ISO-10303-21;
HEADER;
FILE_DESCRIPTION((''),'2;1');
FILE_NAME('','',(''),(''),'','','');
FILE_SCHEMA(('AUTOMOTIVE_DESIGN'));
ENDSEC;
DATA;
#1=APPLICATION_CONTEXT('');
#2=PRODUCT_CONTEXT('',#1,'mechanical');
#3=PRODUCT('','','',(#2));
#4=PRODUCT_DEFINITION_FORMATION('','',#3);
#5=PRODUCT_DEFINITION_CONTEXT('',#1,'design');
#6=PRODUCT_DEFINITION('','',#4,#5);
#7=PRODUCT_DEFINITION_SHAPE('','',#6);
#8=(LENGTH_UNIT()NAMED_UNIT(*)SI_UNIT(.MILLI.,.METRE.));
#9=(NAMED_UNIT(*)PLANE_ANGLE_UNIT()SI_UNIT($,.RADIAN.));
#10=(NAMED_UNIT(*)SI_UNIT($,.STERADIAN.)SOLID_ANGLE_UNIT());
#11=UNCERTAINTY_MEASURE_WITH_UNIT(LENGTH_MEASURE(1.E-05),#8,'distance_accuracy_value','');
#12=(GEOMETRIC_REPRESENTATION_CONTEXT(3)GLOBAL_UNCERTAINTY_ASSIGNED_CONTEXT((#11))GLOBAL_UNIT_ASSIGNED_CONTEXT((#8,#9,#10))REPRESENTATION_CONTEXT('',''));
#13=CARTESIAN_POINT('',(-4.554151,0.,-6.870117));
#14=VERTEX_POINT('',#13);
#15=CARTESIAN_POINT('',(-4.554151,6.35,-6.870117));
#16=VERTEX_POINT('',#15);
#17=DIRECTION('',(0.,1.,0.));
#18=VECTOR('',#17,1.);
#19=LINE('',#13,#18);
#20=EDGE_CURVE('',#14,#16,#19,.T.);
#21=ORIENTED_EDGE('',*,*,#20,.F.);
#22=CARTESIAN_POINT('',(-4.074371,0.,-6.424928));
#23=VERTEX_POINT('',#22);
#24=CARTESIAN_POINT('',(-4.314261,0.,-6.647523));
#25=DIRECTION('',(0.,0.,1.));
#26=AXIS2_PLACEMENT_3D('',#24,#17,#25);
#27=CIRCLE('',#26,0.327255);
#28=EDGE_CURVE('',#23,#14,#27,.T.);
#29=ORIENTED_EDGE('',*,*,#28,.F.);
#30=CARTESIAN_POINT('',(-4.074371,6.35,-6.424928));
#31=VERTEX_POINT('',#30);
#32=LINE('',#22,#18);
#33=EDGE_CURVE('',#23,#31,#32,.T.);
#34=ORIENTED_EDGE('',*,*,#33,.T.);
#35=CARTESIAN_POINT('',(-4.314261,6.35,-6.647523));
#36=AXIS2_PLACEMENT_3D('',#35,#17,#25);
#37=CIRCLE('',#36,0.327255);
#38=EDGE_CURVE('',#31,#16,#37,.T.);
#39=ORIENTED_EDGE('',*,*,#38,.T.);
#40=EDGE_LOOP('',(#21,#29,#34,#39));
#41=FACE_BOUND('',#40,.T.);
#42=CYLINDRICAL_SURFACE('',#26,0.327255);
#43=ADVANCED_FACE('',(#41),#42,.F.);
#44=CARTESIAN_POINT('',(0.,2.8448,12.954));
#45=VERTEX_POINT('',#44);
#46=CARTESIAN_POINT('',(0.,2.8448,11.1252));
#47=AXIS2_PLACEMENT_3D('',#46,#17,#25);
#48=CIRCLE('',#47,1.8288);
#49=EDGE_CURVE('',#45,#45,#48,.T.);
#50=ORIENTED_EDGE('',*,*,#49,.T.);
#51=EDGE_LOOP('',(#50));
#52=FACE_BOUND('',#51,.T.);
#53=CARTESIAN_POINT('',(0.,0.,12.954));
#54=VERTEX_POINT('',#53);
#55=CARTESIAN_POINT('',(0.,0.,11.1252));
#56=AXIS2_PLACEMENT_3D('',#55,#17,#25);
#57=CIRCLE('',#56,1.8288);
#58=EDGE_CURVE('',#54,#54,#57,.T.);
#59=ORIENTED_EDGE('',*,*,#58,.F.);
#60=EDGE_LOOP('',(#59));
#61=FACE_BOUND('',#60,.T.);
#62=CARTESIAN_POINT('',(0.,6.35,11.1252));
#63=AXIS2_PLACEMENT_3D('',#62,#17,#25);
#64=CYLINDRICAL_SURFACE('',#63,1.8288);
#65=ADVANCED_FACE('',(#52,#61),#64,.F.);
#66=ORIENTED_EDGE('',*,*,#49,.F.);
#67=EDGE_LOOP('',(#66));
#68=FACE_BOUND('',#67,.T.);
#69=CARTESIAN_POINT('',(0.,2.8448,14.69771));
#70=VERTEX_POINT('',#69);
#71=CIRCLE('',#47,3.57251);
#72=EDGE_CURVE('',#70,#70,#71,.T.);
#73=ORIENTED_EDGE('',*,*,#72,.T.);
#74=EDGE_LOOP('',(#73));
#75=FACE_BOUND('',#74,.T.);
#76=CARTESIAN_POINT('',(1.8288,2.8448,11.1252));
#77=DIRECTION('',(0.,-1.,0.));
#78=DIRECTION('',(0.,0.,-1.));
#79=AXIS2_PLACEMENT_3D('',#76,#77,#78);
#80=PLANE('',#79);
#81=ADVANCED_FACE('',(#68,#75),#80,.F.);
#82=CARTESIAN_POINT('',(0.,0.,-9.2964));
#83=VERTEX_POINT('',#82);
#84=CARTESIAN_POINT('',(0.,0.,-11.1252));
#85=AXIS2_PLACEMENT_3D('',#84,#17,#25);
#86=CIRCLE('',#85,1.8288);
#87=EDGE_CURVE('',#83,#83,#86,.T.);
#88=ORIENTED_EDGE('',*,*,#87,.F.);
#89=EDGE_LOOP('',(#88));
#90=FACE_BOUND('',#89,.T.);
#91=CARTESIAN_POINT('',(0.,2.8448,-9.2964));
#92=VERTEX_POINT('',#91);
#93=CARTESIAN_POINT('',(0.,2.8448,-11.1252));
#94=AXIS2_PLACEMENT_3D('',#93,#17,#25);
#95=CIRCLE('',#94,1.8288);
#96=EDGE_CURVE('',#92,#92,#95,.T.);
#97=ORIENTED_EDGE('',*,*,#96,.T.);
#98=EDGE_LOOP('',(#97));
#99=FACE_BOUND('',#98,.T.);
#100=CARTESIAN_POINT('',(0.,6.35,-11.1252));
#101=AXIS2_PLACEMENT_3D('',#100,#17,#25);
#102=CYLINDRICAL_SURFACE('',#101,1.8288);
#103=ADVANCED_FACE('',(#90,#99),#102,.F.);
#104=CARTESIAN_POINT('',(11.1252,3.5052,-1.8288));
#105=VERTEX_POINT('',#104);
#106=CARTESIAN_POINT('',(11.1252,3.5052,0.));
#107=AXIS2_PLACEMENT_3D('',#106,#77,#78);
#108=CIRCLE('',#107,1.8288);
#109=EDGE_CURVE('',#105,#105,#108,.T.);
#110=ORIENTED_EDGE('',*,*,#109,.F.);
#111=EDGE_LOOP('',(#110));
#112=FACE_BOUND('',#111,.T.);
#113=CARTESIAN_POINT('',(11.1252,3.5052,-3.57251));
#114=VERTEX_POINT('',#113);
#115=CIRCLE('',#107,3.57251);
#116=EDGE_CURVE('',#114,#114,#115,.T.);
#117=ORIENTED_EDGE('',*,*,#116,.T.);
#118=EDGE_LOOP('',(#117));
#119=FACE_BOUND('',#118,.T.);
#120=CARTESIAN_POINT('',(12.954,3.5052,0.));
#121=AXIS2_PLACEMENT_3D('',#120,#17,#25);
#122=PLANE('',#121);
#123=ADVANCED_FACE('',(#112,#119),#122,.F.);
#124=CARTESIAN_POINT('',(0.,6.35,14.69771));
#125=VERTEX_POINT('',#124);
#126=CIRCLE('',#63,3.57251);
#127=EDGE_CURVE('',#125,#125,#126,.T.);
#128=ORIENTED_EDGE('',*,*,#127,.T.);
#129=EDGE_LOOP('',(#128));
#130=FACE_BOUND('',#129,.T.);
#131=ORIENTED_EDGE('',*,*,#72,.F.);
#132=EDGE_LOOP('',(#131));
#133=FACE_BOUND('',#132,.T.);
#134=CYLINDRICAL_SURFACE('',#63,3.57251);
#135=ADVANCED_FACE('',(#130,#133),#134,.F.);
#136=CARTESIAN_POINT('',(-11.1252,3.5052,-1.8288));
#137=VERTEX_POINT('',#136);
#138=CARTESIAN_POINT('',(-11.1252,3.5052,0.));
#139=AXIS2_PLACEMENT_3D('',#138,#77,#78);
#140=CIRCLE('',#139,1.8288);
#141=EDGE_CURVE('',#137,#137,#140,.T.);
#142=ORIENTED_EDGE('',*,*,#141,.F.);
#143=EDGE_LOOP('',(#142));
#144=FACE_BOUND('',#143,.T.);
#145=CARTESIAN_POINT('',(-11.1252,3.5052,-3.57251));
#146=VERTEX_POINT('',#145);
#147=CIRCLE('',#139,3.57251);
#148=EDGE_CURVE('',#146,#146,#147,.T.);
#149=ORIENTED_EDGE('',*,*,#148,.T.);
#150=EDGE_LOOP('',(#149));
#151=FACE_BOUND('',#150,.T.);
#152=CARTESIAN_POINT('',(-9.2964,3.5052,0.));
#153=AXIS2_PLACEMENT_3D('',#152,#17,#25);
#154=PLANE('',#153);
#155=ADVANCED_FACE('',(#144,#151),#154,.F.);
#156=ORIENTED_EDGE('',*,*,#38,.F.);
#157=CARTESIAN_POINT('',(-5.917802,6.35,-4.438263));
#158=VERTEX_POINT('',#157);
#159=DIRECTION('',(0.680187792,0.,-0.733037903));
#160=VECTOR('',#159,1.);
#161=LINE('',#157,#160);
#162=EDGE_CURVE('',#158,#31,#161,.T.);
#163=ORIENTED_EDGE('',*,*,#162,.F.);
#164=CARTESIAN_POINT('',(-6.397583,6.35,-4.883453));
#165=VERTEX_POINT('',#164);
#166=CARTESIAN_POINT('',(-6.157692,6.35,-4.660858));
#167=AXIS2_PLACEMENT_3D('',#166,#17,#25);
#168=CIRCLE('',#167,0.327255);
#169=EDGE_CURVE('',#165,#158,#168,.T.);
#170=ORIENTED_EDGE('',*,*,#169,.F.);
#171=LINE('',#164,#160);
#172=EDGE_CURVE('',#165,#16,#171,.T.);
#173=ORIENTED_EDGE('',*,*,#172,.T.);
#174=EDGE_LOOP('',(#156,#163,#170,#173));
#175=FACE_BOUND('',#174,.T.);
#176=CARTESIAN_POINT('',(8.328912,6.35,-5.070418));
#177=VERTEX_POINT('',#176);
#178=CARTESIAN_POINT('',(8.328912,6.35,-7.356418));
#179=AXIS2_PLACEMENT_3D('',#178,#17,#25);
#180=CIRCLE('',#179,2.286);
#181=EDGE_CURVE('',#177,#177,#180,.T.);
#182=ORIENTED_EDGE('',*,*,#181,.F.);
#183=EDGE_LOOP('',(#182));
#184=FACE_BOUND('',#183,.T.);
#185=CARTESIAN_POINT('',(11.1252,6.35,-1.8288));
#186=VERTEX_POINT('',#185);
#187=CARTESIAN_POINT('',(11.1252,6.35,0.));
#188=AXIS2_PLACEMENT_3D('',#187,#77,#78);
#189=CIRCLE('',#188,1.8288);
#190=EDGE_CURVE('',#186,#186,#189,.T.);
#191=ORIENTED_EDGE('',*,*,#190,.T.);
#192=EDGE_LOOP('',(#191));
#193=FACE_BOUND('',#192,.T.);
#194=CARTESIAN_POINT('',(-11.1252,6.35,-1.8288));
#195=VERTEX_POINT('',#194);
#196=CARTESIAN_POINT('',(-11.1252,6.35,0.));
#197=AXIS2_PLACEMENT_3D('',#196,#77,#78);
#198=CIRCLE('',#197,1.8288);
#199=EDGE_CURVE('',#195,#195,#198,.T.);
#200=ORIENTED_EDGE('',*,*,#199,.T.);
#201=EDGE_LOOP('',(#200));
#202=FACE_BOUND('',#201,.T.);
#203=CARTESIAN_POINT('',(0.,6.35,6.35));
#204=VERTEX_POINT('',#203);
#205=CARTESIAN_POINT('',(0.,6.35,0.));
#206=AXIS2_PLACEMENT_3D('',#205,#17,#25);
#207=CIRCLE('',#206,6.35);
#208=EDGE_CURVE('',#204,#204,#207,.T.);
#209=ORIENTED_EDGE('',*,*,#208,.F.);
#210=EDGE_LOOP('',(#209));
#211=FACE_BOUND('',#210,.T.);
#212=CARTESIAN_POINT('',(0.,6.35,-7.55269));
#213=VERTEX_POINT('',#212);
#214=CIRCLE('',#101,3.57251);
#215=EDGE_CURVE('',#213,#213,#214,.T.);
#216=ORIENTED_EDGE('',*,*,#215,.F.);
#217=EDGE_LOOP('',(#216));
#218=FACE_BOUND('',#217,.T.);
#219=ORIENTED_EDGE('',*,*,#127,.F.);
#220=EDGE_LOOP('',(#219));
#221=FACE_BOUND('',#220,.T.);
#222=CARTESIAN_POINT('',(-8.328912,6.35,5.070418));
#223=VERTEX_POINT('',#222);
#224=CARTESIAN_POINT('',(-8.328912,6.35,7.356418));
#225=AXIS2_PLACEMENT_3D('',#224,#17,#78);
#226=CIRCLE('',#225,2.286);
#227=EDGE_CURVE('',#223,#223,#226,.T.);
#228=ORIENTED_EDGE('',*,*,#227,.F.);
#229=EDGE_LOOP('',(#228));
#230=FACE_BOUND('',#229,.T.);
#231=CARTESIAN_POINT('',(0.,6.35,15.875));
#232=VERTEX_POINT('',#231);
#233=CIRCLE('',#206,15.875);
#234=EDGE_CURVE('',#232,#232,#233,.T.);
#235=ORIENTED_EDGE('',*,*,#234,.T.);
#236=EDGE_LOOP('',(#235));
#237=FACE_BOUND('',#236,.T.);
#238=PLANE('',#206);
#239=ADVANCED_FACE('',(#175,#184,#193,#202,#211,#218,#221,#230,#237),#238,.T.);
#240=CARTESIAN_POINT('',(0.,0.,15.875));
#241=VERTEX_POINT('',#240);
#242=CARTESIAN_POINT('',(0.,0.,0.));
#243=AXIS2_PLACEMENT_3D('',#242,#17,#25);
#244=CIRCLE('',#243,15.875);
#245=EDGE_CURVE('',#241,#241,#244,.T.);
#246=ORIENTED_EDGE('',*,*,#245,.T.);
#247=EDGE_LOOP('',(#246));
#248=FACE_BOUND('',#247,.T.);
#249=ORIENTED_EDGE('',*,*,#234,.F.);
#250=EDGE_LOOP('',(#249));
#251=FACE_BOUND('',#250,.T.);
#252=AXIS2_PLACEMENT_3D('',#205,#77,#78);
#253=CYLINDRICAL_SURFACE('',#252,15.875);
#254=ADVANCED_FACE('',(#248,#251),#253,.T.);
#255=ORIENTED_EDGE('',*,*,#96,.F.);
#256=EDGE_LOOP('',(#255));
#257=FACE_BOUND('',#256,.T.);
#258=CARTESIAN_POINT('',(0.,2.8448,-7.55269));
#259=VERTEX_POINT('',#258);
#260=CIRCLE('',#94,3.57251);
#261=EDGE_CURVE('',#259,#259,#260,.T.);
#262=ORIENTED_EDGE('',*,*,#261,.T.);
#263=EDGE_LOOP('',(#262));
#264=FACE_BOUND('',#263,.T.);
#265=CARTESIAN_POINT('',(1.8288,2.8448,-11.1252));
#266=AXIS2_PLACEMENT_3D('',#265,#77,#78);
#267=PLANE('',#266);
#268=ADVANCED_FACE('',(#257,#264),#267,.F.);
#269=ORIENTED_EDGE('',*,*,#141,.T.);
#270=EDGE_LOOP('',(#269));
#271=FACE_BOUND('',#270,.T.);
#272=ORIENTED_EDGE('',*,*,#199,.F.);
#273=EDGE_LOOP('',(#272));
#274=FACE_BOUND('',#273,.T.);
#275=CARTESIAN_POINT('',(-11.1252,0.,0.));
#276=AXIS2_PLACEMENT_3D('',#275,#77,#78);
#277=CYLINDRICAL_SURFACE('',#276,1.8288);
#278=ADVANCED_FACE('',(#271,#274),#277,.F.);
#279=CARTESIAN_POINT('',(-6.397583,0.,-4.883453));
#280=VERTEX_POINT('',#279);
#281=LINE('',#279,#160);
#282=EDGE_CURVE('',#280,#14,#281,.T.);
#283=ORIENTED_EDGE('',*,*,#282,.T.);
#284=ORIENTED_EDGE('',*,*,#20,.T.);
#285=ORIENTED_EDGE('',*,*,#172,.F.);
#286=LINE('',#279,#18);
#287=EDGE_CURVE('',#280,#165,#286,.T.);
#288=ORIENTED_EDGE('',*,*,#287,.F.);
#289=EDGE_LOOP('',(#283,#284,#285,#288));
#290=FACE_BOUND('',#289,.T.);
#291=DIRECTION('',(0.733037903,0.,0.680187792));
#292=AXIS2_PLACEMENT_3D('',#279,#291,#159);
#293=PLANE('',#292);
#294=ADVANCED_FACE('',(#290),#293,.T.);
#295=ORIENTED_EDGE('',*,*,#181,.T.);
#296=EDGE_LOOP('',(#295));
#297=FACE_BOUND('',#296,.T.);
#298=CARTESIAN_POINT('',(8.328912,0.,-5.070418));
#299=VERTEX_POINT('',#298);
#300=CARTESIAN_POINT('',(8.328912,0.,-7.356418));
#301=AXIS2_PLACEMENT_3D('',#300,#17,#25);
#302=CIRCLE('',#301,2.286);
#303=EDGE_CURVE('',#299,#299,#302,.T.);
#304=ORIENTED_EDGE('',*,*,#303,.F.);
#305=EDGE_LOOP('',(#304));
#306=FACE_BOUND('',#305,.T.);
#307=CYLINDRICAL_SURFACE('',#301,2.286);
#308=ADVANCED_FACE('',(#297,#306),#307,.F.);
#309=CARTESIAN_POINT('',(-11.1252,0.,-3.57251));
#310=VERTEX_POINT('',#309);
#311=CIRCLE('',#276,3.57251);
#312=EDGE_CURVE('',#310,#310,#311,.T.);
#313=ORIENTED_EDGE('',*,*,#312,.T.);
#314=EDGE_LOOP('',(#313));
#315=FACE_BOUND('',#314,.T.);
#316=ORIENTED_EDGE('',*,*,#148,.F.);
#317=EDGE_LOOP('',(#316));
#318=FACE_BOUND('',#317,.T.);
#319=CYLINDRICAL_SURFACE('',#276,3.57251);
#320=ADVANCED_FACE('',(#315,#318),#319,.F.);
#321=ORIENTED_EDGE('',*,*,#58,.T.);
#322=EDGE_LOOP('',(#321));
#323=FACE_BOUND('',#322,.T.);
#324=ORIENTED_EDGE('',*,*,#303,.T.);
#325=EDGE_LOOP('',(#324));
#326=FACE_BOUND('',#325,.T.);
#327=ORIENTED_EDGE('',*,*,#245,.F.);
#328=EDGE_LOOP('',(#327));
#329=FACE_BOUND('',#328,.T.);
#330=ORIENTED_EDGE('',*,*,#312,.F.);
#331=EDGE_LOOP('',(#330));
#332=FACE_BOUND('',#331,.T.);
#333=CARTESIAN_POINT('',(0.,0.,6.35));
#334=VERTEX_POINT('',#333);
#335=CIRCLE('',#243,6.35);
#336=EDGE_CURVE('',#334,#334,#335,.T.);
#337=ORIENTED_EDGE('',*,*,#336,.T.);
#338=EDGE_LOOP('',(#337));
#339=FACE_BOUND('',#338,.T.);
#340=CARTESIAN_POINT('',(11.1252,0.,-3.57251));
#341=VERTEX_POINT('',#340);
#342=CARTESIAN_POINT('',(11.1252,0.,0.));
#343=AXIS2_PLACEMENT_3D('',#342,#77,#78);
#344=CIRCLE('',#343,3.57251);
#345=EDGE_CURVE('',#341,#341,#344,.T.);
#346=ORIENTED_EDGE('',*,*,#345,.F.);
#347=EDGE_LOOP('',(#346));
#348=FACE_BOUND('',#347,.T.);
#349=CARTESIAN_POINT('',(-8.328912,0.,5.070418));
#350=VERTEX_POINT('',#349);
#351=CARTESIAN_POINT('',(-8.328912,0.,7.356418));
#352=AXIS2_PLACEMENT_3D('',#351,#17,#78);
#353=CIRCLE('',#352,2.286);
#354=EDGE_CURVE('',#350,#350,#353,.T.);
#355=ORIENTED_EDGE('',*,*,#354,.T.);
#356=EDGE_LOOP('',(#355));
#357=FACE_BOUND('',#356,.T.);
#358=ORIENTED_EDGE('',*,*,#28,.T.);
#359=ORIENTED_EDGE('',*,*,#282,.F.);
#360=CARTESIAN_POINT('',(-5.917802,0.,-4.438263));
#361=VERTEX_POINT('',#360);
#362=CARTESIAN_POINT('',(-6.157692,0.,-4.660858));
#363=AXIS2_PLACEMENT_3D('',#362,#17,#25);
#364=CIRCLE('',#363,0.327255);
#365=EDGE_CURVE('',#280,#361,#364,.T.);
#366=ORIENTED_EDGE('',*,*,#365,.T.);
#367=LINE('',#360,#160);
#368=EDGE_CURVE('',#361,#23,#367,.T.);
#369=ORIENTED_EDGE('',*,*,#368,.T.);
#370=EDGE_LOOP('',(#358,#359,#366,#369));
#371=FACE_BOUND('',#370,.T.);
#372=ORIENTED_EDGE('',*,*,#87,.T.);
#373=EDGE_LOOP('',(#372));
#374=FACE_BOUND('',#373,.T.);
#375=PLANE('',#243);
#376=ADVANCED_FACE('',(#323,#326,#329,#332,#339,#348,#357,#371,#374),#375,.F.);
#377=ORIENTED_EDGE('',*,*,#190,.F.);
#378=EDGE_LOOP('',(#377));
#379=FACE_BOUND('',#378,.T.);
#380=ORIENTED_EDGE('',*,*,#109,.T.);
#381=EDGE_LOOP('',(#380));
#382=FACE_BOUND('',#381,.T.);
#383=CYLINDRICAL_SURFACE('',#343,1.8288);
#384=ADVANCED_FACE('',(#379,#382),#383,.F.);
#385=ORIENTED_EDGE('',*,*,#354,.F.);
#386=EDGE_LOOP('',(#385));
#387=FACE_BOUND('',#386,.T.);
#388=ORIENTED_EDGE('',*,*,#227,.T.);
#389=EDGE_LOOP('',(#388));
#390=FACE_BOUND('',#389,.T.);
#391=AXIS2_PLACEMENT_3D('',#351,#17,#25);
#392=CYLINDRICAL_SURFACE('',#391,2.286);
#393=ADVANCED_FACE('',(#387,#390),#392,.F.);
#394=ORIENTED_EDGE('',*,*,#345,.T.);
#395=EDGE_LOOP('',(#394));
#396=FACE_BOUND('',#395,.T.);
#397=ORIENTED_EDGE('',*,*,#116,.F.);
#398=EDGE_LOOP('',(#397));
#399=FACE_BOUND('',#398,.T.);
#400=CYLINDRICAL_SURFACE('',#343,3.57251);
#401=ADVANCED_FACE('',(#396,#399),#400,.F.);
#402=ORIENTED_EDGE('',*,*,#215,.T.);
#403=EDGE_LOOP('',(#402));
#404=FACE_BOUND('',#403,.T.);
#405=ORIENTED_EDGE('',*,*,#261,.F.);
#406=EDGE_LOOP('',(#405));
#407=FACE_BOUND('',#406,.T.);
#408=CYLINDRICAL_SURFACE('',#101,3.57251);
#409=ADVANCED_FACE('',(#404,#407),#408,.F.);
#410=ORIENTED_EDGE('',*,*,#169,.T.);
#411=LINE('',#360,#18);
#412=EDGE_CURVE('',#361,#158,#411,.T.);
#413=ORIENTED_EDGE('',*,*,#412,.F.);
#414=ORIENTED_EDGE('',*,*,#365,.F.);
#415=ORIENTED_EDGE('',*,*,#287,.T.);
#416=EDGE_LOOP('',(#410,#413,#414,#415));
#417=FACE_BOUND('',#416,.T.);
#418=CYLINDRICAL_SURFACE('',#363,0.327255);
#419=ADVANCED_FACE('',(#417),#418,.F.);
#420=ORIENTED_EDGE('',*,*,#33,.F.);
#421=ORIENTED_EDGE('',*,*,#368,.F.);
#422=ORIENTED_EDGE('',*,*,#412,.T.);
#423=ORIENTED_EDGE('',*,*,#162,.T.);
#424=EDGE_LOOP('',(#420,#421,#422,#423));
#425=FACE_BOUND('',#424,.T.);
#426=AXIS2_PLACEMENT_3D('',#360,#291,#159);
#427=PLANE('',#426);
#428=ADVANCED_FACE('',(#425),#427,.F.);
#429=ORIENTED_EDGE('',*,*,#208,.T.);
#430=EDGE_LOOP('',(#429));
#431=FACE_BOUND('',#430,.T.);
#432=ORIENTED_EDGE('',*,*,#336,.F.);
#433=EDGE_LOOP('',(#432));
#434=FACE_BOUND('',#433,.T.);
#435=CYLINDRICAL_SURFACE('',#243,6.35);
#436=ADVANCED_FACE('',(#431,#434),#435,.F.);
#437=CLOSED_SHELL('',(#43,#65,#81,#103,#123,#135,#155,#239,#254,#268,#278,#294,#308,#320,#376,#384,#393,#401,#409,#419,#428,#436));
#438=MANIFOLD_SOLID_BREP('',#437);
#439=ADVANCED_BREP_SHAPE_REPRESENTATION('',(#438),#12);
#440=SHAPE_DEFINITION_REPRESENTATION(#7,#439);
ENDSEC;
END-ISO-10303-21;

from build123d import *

# Parameters (mm, degrees)
SKETCH1_R                                      = 15.875
BOSS_EXTRUDE1_DEPTH                            = 6.35
SKETCH2_R                                      = 6.35
CUT_EXTRUDE1_DEPTH                             = 24.3313898
SKETCH11_R                                     = 2.286
CUT_EXTRUDE2_DEPTH                             = 24.3313898
CIRPATTERN3_COUNT                              = 2
CUT_EXTRUDE3_DEPTH                             = 24.3313898
CBORE_FOR_6_SOCKET_HEAD_CAP_SCREW2_D           = 3.6576
CBORE_FOR_6_SOCKET_HEAD_CAP_SCREW2_CBORE_D     = 7.14502
CBORE_FOR_6_SOCKET_HEAD_CAP_SCREW2_CBORE_DEPTH = 3.5052
CBORE_FOR_6_SOCKET_HEAD_CAP_SCREW1_D           = 3.6576
CBORE_FOR_6_SOCKET_HEAD_CAP_SCREW1_CBORE_D     = 7.14502
CBORE_FOR_6_SOCKET_HEAD_CAP_SCREW1_CBORE_DEPTH = 3.5052
CIRPATTERN5_COUNT                              = 2
CIRPATTERN6_COUNT                              = 2


with BuildPart() as part:
    # Sketch1 → Boss-Extrude1 (new body)
    with BuildSketch(Plane(origin=(0, 0, 0), x_dir=(1, 0, 0), z_dir=(0, 1, 0))):
        with Locations(Location((0, 0, 0), (0, 0, 270))):
            Circle(SKETCH1_R)
    extrude(amount=BOSS_EXTRUDE1_DEPTH)

    # Sketch2 → Cut-Extrude1 (cut, through all)
    with BuildSketch(Plane(origin=(0, 6.35, 0), x_dir=(1, 0, 0), z_dir=(0, 1, 0))):
        with Locations(Location((0, 0, 0), (0, 0, 270))):
            Circle(SKETCH2_R)
    extrude(amount=-CUT_EXTRUDE1_DEPTH, mode=Mode.SUBTRACT)

    # Sketch11 → Cut-Extrude2 (cut, through all)
    with BuildSketch(Plane(origin=(0, 6.35, 0), x_dir=(1, 0, 0), z_dir=(0, 1, 0))):
        with Locations(Location((8.328911597, 7.35641814, 0), (0, 0, 270))):
            Circle(SKETCH11_R)
    cut_extrude2 = extrude(amount=-CUT_EXTRUDE2_DEPTH, mode=Mode.SUBTRACT)

    # CirPattern3: Cut-Extrude2 ×2 about axis
    cirpattern3_axis = Axis((0, 0, 0), (0, 1, 0))
    for i in range(1, CIRPATTERN3_COUNT):
        add(cut_extrude2.rotate(cirpattern3_axis, i * 360 / CIRPATTERN3_COUNT), mode=Mode.SUBTRACT)

    # Sketch12 → Cut-Extrude3 (cut, through all)
    with BuildSketch(Plane(origin=(0, 6.35, 0), x_dir=(1, 0, 0), z_dir=(0, 1, 0))):
        with BuildLine():
            Line((-6.39758264, 4.883452605), (-4.554151289, 6.87011727))
            ThreePointArc((-4.554151289, 6.87011727), (-4.0916663, 6.887412726), (-4.074370844, 6.424927737))
            Line((-4.074370844, 6.424927737), (-5.917802195, 4.438263073))
            ThreePointArc((-5.917802195, 4.438263073), (-6.380287183, 4.420967617), (-6.39758264, 4.883452605))
        make_face()
    extrude(amount=-CUT_EXTRUDE3_DEPTH, mode=Mode.SUBTRACT)

    # CBORE for #6 Socket Head Cap Screw2 (through all)
    with Locations(Plane(origin=(11.1252, 0, 0), x_dir=(0, 0, -1), z_dir=(0, -1, 0))):
        with Locations((0, 0)):
            cbore_for_6_socket_head_cap_screw2 = CounterBoreHole(CBORE_FOR_6_SOCKET_HEAD_CAP_SCREW2_D / 2, CBORE_FOR_6_SOCKET_HEAD_CAP_SCREW2_CBORE_D / 2, CBORE_FOR_6_SOCKET_HEAD_CAP_SCREW2_CBORE_DEPTH)

    # CBORE for #6 Socket Head Cap Screw1 (through all)
    with Locations(Plane(origin=(0, 6.35, -11.1252), x_dir=(0, 0, 1), z_dir=(0, 1, 0))):
        with Locations((0, 0)):
            cbore_for_6_socket_head_cap_screw1 = CounterBoreHole(CBORE_FOR_6_SOCKET_HEAD_CAP_SCREW1_D / 2, CBORE_FOR_6_SOCKET_HEAD_CAP_SCREW1_CBORE_D / 2, CBORE_FOR_6_SOCKET_HEAD_CAP_SCREW1_CBORE_DEPTH)

    # CirPattern5: CBORE for #6 Socket Head Cap Screw1 ×2 about axis
    cirpattern5_axis = Axis((0, 0, 0), (0, 1, 0))
    for i in range(1, CIRPATTERN5_COUNT):
        add(cbore_for_6_socket_head_cap_screw1.rotate(cirpattern5_axis, i * 360 / CIRPATTERN5_COUNT), mode=Mode.SUBTRACT)

    # CirPattern6: CBORE for #6 Socket Head Cap Screw2 ×2 about axis
    cirpattern6_axis = Axis((0, 0, 0), (0, 1, 0))
    for i in range(1, CIRPATTERN6_COUNT):
        add(cbore_for_6_socket_head_cap_screw2.rotate(cirpattern6_axis, i * 360 / CIRPATTERN6_COUNT), mode=Mode.SUBTRACT)


solid = part.part
